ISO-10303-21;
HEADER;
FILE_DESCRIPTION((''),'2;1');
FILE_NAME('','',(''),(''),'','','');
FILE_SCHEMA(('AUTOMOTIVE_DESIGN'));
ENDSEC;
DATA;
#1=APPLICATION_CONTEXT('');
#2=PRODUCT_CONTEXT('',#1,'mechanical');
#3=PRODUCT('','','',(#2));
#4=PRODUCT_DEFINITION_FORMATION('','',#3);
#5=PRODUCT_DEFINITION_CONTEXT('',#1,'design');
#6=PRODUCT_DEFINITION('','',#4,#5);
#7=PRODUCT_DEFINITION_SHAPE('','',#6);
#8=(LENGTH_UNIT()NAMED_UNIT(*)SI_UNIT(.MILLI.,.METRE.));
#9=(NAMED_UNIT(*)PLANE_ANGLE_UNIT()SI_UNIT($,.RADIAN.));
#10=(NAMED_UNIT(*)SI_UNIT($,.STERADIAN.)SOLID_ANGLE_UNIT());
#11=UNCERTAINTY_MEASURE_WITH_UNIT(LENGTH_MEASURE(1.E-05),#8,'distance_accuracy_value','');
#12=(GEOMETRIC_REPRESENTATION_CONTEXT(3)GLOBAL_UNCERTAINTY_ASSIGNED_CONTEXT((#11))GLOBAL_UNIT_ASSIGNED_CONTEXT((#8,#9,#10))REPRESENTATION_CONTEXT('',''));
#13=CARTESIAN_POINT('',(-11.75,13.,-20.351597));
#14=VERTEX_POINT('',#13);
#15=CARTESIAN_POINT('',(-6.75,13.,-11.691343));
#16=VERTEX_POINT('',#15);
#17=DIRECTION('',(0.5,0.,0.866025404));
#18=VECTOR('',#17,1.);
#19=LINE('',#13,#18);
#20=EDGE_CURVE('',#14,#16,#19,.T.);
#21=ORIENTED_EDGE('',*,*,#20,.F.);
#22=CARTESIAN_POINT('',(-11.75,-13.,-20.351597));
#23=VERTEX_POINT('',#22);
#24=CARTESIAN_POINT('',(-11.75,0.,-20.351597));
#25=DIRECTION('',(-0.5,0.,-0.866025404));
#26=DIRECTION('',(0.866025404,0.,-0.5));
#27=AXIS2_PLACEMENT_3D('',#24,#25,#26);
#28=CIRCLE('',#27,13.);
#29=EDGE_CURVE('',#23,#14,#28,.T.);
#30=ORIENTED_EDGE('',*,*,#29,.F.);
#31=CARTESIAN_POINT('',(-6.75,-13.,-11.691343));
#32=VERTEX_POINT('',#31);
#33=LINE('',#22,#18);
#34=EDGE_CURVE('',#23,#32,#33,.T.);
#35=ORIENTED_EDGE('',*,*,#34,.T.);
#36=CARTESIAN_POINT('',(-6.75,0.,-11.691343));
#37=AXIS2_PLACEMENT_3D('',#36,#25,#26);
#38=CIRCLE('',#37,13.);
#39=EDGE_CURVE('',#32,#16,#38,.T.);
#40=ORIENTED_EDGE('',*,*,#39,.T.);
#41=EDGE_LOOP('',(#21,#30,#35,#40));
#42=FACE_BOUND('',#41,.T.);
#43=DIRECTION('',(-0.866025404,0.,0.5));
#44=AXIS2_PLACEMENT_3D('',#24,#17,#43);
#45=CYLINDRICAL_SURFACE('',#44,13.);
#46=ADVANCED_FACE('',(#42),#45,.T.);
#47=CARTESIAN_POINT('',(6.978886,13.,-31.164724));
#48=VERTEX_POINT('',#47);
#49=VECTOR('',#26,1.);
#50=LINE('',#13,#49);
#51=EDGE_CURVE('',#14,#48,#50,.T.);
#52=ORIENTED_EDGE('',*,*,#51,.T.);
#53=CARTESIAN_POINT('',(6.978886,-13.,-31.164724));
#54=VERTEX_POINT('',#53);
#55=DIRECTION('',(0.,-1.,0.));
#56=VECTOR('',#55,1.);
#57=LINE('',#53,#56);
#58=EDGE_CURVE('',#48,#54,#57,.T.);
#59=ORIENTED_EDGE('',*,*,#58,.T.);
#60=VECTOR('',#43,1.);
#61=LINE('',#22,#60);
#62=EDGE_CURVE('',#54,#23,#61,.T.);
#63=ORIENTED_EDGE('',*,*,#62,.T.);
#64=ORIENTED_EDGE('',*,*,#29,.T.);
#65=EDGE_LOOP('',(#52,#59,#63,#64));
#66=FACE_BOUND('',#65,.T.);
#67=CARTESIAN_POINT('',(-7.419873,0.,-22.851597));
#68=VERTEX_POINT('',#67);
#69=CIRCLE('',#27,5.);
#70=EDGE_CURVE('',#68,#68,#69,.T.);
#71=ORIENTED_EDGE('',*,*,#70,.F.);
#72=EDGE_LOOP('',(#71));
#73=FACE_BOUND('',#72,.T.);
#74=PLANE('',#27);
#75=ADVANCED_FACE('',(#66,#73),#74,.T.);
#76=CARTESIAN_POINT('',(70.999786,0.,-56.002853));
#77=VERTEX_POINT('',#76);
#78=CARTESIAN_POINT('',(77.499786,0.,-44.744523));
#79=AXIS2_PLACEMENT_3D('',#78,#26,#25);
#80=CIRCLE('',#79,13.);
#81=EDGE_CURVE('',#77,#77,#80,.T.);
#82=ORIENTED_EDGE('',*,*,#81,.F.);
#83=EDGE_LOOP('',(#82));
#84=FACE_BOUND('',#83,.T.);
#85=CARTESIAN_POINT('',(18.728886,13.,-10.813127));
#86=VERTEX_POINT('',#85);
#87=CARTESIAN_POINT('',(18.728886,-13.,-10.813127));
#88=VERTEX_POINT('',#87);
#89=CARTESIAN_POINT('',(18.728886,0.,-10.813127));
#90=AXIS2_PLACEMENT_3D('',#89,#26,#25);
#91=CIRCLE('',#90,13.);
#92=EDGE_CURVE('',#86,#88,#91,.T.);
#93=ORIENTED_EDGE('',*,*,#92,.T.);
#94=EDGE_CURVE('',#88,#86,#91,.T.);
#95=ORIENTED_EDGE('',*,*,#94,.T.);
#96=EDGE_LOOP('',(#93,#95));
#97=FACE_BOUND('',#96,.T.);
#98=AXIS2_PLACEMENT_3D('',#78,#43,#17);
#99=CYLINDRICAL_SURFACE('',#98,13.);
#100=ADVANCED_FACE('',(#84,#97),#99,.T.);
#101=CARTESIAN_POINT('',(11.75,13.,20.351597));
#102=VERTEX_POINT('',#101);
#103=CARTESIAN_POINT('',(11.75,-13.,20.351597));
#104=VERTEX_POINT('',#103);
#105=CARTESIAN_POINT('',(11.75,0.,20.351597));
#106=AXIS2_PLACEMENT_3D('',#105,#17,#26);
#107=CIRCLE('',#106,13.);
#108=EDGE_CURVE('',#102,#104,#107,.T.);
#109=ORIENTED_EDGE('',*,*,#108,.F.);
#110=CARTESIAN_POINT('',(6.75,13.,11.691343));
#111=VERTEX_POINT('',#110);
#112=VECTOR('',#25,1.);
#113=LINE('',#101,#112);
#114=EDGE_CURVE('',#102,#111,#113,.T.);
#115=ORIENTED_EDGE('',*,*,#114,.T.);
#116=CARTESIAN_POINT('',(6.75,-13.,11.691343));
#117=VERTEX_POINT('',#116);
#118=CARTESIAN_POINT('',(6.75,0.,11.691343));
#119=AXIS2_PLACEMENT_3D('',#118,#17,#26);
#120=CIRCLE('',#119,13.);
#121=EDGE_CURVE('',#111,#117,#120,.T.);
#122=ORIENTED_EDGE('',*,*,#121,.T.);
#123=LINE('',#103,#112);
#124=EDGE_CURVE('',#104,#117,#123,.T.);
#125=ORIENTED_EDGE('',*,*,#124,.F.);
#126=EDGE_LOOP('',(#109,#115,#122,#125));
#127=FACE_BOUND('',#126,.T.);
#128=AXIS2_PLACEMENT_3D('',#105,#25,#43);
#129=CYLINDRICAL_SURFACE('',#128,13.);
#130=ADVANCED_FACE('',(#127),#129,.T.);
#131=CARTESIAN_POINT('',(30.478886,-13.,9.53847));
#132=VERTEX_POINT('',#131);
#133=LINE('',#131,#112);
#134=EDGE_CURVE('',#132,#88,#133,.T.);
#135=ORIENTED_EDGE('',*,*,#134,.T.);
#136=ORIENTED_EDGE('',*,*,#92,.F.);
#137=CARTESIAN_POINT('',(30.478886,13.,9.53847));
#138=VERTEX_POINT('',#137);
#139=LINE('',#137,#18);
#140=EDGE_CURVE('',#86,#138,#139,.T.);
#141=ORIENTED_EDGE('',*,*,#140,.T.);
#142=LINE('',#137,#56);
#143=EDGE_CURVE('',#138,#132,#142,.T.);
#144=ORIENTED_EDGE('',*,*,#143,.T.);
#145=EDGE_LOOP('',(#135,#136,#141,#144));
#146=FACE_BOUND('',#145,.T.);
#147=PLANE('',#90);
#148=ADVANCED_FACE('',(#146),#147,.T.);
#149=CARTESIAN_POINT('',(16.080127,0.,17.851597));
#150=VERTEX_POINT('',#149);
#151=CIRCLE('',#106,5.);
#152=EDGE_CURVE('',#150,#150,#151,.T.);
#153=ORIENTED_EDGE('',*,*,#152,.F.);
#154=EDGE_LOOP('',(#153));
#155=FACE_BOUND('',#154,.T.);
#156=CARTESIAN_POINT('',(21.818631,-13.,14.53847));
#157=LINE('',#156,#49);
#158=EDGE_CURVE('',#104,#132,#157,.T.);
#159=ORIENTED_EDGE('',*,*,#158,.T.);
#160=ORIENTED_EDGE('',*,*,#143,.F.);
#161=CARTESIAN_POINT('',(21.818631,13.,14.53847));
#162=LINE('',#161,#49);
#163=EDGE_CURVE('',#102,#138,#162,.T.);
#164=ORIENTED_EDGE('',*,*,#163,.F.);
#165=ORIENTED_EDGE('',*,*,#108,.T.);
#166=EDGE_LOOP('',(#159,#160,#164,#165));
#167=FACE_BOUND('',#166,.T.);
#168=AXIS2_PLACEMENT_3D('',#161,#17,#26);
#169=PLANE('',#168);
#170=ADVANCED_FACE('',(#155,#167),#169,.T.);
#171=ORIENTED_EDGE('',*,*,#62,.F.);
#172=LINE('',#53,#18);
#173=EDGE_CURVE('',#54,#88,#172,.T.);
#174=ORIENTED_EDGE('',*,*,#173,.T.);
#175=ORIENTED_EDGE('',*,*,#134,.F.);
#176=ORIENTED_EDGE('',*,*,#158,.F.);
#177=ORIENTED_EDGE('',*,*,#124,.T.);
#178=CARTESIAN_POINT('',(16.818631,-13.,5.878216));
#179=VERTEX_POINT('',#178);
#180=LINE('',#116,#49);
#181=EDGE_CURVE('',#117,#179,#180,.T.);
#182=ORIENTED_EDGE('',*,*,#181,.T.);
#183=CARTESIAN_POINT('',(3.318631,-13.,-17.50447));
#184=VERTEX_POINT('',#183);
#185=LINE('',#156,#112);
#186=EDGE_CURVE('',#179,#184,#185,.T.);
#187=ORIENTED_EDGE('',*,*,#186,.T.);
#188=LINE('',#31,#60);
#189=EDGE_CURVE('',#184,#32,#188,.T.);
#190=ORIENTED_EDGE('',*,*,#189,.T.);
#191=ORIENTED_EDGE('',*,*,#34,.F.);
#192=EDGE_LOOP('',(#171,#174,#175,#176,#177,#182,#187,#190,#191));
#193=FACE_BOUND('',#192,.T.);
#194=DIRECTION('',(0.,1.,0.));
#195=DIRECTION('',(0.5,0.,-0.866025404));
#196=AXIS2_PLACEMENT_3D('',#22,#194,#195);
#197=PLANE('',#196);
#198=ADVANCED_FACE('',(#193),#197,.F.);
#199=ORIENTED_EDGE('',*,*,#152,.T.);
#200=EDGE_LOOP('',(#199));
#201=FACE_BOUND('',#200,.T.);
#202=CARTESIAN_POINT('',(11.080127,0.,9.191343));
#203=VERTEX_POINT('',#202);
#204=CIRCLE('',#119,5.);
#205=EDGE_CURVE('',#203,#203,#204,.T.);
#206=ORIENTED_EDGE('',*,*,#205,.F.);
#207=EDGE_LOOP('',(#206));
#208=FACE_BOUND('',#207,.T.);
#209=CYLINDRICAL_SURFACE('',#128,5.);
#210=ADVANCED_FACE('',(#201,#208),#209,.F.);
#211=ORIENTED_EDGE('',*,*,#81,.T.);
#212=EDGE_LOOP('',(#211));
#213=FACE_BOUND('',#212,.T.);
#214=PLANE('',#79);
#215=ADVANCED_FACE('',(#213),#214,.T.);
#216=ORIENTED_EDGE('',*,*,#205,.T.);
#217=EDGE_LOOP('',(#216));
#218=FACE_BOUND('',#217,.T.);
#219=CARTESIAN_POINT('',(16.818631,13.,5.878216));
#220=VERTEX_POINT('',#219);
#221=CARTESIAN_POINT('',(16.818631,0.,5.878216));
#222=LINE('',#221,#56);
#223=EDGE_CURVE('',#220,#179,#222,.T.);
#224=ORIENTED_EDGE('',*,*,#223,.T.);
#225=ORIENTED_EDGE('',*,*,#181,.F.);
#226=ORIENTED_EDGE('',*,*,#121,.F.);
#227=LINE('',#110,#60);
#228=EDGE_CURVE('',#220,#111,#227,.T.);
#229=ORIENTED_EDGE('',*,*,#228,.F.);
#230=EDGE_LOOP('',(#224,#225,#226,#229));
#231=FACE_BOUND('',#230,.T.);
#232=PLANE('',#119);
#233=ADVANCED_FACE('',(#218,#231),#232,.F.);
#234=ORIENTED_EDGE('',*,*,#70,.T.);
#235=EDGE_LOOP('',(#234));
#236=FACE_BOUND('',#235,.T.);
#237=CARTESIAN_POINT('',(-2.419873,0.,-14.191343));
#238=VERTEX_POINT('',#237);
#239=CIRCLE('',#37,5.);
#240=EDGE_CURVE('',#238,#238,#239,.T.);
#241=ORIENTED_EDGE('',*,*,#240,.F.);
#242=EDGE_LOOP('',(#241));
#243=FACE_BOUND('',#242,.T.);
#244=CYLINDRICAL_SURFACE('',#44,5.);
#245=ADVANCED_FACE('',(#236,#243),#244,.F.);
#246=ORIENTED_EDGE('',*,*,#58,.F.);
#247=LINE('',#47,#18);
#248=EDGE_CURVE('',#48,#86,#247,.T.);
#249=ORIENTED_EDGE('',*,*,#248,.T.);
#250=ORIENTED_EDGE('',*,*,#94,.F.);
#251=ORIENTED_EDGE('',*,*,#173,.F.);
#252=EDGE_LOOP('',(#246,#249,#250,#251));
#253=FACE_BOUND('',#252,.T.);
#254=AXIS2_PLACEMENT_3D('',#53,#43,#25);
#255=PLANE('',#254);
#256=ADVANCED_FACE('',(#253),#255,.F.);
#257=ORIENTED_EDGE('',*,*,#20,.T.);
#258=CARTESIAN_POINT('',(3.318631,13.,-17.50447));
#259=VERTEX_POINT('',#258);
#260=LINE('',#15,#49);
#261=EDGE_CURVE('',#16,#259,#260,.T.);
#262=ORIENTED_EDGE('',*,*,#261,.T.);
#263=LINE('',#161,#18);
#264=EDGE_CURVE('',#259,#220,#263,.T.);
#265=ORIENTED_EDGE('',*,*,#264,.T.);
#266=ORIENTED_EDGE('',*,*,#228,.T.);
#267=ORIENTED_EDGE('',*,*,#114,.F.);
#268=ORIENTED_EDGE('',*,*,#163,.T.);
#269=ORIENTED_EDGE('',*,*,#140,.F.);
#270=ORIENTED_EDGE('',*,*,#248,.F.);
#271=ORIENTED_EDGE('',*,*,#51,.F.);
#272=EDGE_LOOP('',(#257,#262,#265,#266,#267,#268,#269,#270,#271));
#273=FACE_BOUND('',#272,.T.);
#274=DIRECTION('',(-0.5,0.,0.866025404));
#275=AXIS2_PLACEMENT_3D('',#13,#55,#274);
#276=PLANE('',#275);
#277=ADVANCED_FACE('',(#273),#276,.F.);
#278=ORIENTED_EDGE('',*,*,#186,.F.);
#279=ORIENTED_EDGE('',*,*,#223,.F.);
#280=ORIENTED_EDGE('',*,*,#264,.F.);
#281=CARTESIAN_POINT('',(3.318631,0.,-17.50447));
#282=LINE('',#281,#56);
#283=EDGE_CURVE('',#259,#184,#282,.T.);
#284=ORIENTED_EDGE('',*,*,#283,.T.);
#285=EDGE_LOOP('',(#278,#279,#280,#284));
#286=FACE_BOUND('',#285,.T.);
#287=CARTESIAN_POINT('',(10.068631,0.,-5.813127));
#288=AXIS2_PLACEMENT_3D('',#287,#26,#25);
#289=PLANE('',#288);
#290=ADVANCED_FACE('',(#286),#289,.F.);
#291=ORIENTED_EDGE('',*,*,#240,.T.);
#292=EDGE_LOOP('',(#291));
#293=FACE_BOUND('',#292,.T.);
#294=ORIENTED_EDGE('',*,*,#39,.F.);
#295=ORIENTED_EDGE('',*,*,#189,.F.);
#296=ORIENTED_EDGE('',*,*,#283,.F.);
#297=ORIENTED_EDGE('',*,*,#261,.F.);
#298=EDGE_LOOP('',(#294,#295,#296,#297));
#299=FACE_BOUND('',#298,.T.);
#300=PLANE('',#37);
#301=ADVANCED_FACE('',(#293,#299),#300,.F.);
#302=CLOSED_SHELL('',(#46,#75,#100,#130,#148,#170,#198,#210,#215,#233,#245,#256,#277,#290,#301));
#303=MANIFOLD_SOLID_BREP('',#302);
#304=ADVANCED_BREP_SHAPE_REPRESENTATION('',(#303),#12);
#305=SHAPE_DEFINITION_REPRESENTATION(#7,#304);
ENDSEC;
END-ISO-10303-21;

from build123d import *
from build123d.topology import SkipClean

# Parameters (mm, degrees)
BOSS_EXTRUDE1_DEPTH = 25
SKETCH2_R           = 8
CUT_EXTRUDE1_DEPTH  = 110
CUT_EXTRUDE2_DEPTH  = 150
BOSS_EXTRUDE2_START = 21.60254038
BOSS_EXTRUDE2_DEPTH = 21.60254038
SKETCH5_R           = 13
CUT_EXTRUDE3_DEPTH  = 50
SKETCH6_R           = 13
BOSS_EXTRUDE3_DEPTH = 100
SKETCH7_R           = 5
CUT_EXTRUDE4_DEPTH  = 50
SKETCH8_R           = 13
SKETCH8_R_2         = 5
BOSS_EXTRUDE4_DEPTH = 13
CUT_EXTRUDE5_DEPTH  = 28
SKETCH10_R          = 5
BOSS_EXTRUDE5_DEPTH = 10
CIRPATTERN2_COUNT   = 2
SKETCH11_W          = 47
SKETCH11_H          = 26
BOSS_EXTRUDE6_DEPTH = 10
SKETCH12_R          = 13
BOSS_EXTRUDE7_DEPTH = 67.86279097


with BuildPart() as part:
    # Sketch1 → Boss-Extrude1 (new, symmetric)
    with BuildSketch(Plane(origin=(0, 0, 0), x_dir=(1, 0, 0), z_dir=(0, 1, 0))):
        Polygon((86.602540378, 150), (103.923048454, 160), (114.724318643, 141.291651246), (93.073683549, 128.791651246), (158.073683549, 16.208348754), (179.724318643, 28.708348754), (190.525588833, 10), (173.205080757, 0), (45.59802172, 0), (22.79901086, 39.489045172), align=None)
    extrude(amount=BOSS_EXTRUDE1_DEPTH, both=True)

    # Sketch2 → Cut-Extrude1 (cut, symmetric)
    with BuildSketch(Plane(origin=(140.729128115, 0, -81.25), x_dir=(0.8660254037844386, 0, -0.5000000000000003), z_dir=(0.5000000000000003, 0, 0.8660254037844386))):
        Circle(SKETCH2_R)
    extrude(amount=CUT_EXTRUDE1_DEPTH, both=True, mode=Mode.SUBTRACT)

    # Sketch3 → Cut-Extrude2 (cut, symmetric)
    with BuildSketch(Plane(origin=(140.729128115, 0, -81.25), x_dir=(0.8660254037844386, 0, -0.5000000000000003), z_dir=(0.5000000000000003, 0, 0.8660254037844386))):
        with BuildLine():
            Line((0, 18), (-12.5, 18))
            Line((-12.5, 18), (-12.5, 31.312178452))
            Line((-12.5, 31.312178452), (23.905899442, 31.312178452))
            Line((23.905899442, 31.312178452), (23.905899442, -29.505210198))
            Line((23.905899442, -29.505210198), (-12.5, -29.505210198))
            Line((-12.5, -29.505210198), (-12.5, -18))
            Line((-12.5, -18), (0, -18))
            ThreePointArc((0, -18), (18, 0), (0, 18))
        make_face()
    extrude(amount=CUT_EXTRUDE2_DEPTH, both=True, mode=Mode.SUBTRACT)

    # Sketch4 → Boss-Extrude2 (add)
    with SkipClean():  # the faces are left unmerged after this step: merging them gives an invalid solid
        with BuildSketch(Plane(origin=(173.229128115, 0, -24.958348754), x_dir=(0.8660254037844386, 0, -0.5000000000000003), z_dir=(0.5000000000000003, 0, 0.8660254037844386)).offset(BOSS_EXTRUDE2_START)):
            with BuildLine():
                Line((7.5, 16.363068172), (7.5, 2.783882181))
                ThreePointArc((7.5, 2.783882181), (8, 0), (7.5, -2.783882181))
                Line((7.5, -2.783882181), (7.5, -16.363068172))
                ThreePointArc((7.5, -16.363068172), (18, 0), (7.5, 16.363068172))
            make_face()
        boss_extrude2 = extrude(amount=-BOSS_EXTRUDE2_DEPTH)

    # Mirror2: Boss-Extrude2 across plane
    with SkipClean():  # the faces are left unmerged after this step: merging them gives an invalid solid
        add(boss_extrude2.mirror(Plane(origin=(140.729128115, 0, -81.25), x_dir=(-0.8660254037844388, 0, 0.5), z_dir=(0.5000000000000003, 0, 0.8660254037844386))))

    # Sketch5 → Cut-Extrude3 (cut)
    with SkipClean():  # the faces are left unmerged after this step: merging them gives an invalid solid
        with BuildSketch(Plane(origin=(34.19851629, 0, -19.744522586), x_dir=(0.5000000000000001, 0, 0.8660254037844386), z_dir=(-0.8660254037844386, 0, 0.5000000000000001))):
            Circle(SKETCH5_R)
        extrude(amount=-CUT_EXTRUDE3_DEPTH, mode=Mode.SUBTRACT)


with BuildPart() as body_2:
    # Sketch6 → Boss-Extrude3 (new body)
    with BuildSketch(Plane(origin=(77.499786479, 0, -44.744522586), x_dir=(0.5000000000000001, 0, 0.8660254037844386), z_dir=(-0.8660254037844386, 0, 0.5000000000000001))):
        Circle(SKETCH6_R)
    extrude(amount=BOSS_EXTRUDE3_DEPTH)

    # Sketch7 → Cut-Extrude4 (cut, symmetric)
    with BuildSketch(Plane(origin=(140.729128115, 0, -81.25), x_dir=(0.8660254037844386, 0, -0.5000000000000003), z_dir=(0.5000000000000003, 0, 0.8660254037844386))):
        with Locations((-162.5, 0)):
            Circle(SKETCH7_R)
    extrude(amount=CUT_EXTRUDE4_DEPTH, both=True, mode=Mode.SUBTRACT)

    # Sketch8 → Boss-Extrude4 (add, symmetric)
    with BuildSketch(Plane(origin=(140.729128115, 0, -81.25), x_dir=(0.8660254037844386, 0, -0.5000000000000003), z_dir=(0.5000000000000003, 0, 0.8660254037844386))):
        with Locations((-162.5, 0)):
            Circle(SKETCH8_R)
        with Locations((-162.5, 0)):
            Circle(SKETCH8_R_2, mode=Mode.SUBTRACT)
    extrude(amount=BOSS_EXTRUDE4_DEPTH, both=True)

    # Sketch9 → Cut-Extrude5 (cut, symmetric)
    with BuildSketch(Plane(origin=(140.729128115, 0, -81.25), x_dir=(0.8660254037844386, 0, -0.5000000000000003), z_dir=(0.5000000000000003, 0, 0.8660254037844386))):
        with BuildLine():
            Line((-162.5, 13), (-162.5, 18.834095503))
            ThreePointArc((-162.5, 18.834095503), (-181.334095503, 0), (-162.5, -18.834095503))
            Line((-162.5, -18.834095503), (-162.5, -13))
            ThreePointArc((-162.5, -13), (-175.5, 0), (-162.5, 13))
        make_face()
    extrude(amount=CUT_EXTRUDE5_DEPTH, both=True, mode=Mode.SUBTRACT)


with BuildPart() as body_2_2:
    # Sketch10 → Boss-Extrude5 (new body)
    with BuildSketch(Plane(origin=(6.75, 0, 11.691342951), x_dir=(0.8660254037844385, 0, -0.5000000000000004), z_dir=(0.5000000000000003, 0, 0.8660254037844384))):
        with BuildLine():
            Line((0, 13), (21.626254201, 13))
            Line((21.626254201, 13), (21.626254201, -13))
            Line((21.626254201, -13), (0, -13))
            ThreePointArc((0, -13), (-13, 0), (0, 13))
        make_face()
        Circle(SKETCH10_R, mode=Mode.SUBTRACT)
    extrude(amount=BOSS_EXTRUDE5_DEPTH)


with BuildPart() as cirpattern2_1:
    # CirPattern2: pattern copy
    add(body_2_2.part.rotate(Axis((24.24994662, 0, -14.000713209), (0.8660254037844386, 0, -0.5000000000000003)), 1 * 360 / CIRPATTERN2_COUNT))


with BuildPart() as body_4:
    # Sketch11 → Boss-Extrude6 (new body)
    with BuildSketch(Plane(origin=(18.728885527, 0, -10.8131271), x_dir=(-0.5000000000000004, 0, -0.8660254037844385), z_dir=(0.8660254037844384, 0, -0.5000000000000003))):
        Rectangle(SKETCH11_W, SKETCH11_H)
    extrude(amount=-BOSS_EXTRUDE6_DEPTH)


with BuildPart() as body_5:
    # Sketch12 → Boss-Extrude7 (new body)
    with BuildSketch(Plane(origin=(18.728885527, 0, -10.8131271), x_dir=(-0.5000000000000004, 0, -0.8660254037844385), z_dir=(0.8660254037844384, 0, -0.5000000000000003))):
        Circle(SKETCH12_R)
    extrude(amount=BOSS_EXTRUDE7_DEPTH)


with BuildPart() as cirpattern2_1_1:
    add(cirpattern2_1.part)

    # Combine2: union body 4, body 5, body 2 2
    add(body_4.part)
    add(body_5.part)
    add(body_2_2.part)


solid = cirpattern2_1_1.part
